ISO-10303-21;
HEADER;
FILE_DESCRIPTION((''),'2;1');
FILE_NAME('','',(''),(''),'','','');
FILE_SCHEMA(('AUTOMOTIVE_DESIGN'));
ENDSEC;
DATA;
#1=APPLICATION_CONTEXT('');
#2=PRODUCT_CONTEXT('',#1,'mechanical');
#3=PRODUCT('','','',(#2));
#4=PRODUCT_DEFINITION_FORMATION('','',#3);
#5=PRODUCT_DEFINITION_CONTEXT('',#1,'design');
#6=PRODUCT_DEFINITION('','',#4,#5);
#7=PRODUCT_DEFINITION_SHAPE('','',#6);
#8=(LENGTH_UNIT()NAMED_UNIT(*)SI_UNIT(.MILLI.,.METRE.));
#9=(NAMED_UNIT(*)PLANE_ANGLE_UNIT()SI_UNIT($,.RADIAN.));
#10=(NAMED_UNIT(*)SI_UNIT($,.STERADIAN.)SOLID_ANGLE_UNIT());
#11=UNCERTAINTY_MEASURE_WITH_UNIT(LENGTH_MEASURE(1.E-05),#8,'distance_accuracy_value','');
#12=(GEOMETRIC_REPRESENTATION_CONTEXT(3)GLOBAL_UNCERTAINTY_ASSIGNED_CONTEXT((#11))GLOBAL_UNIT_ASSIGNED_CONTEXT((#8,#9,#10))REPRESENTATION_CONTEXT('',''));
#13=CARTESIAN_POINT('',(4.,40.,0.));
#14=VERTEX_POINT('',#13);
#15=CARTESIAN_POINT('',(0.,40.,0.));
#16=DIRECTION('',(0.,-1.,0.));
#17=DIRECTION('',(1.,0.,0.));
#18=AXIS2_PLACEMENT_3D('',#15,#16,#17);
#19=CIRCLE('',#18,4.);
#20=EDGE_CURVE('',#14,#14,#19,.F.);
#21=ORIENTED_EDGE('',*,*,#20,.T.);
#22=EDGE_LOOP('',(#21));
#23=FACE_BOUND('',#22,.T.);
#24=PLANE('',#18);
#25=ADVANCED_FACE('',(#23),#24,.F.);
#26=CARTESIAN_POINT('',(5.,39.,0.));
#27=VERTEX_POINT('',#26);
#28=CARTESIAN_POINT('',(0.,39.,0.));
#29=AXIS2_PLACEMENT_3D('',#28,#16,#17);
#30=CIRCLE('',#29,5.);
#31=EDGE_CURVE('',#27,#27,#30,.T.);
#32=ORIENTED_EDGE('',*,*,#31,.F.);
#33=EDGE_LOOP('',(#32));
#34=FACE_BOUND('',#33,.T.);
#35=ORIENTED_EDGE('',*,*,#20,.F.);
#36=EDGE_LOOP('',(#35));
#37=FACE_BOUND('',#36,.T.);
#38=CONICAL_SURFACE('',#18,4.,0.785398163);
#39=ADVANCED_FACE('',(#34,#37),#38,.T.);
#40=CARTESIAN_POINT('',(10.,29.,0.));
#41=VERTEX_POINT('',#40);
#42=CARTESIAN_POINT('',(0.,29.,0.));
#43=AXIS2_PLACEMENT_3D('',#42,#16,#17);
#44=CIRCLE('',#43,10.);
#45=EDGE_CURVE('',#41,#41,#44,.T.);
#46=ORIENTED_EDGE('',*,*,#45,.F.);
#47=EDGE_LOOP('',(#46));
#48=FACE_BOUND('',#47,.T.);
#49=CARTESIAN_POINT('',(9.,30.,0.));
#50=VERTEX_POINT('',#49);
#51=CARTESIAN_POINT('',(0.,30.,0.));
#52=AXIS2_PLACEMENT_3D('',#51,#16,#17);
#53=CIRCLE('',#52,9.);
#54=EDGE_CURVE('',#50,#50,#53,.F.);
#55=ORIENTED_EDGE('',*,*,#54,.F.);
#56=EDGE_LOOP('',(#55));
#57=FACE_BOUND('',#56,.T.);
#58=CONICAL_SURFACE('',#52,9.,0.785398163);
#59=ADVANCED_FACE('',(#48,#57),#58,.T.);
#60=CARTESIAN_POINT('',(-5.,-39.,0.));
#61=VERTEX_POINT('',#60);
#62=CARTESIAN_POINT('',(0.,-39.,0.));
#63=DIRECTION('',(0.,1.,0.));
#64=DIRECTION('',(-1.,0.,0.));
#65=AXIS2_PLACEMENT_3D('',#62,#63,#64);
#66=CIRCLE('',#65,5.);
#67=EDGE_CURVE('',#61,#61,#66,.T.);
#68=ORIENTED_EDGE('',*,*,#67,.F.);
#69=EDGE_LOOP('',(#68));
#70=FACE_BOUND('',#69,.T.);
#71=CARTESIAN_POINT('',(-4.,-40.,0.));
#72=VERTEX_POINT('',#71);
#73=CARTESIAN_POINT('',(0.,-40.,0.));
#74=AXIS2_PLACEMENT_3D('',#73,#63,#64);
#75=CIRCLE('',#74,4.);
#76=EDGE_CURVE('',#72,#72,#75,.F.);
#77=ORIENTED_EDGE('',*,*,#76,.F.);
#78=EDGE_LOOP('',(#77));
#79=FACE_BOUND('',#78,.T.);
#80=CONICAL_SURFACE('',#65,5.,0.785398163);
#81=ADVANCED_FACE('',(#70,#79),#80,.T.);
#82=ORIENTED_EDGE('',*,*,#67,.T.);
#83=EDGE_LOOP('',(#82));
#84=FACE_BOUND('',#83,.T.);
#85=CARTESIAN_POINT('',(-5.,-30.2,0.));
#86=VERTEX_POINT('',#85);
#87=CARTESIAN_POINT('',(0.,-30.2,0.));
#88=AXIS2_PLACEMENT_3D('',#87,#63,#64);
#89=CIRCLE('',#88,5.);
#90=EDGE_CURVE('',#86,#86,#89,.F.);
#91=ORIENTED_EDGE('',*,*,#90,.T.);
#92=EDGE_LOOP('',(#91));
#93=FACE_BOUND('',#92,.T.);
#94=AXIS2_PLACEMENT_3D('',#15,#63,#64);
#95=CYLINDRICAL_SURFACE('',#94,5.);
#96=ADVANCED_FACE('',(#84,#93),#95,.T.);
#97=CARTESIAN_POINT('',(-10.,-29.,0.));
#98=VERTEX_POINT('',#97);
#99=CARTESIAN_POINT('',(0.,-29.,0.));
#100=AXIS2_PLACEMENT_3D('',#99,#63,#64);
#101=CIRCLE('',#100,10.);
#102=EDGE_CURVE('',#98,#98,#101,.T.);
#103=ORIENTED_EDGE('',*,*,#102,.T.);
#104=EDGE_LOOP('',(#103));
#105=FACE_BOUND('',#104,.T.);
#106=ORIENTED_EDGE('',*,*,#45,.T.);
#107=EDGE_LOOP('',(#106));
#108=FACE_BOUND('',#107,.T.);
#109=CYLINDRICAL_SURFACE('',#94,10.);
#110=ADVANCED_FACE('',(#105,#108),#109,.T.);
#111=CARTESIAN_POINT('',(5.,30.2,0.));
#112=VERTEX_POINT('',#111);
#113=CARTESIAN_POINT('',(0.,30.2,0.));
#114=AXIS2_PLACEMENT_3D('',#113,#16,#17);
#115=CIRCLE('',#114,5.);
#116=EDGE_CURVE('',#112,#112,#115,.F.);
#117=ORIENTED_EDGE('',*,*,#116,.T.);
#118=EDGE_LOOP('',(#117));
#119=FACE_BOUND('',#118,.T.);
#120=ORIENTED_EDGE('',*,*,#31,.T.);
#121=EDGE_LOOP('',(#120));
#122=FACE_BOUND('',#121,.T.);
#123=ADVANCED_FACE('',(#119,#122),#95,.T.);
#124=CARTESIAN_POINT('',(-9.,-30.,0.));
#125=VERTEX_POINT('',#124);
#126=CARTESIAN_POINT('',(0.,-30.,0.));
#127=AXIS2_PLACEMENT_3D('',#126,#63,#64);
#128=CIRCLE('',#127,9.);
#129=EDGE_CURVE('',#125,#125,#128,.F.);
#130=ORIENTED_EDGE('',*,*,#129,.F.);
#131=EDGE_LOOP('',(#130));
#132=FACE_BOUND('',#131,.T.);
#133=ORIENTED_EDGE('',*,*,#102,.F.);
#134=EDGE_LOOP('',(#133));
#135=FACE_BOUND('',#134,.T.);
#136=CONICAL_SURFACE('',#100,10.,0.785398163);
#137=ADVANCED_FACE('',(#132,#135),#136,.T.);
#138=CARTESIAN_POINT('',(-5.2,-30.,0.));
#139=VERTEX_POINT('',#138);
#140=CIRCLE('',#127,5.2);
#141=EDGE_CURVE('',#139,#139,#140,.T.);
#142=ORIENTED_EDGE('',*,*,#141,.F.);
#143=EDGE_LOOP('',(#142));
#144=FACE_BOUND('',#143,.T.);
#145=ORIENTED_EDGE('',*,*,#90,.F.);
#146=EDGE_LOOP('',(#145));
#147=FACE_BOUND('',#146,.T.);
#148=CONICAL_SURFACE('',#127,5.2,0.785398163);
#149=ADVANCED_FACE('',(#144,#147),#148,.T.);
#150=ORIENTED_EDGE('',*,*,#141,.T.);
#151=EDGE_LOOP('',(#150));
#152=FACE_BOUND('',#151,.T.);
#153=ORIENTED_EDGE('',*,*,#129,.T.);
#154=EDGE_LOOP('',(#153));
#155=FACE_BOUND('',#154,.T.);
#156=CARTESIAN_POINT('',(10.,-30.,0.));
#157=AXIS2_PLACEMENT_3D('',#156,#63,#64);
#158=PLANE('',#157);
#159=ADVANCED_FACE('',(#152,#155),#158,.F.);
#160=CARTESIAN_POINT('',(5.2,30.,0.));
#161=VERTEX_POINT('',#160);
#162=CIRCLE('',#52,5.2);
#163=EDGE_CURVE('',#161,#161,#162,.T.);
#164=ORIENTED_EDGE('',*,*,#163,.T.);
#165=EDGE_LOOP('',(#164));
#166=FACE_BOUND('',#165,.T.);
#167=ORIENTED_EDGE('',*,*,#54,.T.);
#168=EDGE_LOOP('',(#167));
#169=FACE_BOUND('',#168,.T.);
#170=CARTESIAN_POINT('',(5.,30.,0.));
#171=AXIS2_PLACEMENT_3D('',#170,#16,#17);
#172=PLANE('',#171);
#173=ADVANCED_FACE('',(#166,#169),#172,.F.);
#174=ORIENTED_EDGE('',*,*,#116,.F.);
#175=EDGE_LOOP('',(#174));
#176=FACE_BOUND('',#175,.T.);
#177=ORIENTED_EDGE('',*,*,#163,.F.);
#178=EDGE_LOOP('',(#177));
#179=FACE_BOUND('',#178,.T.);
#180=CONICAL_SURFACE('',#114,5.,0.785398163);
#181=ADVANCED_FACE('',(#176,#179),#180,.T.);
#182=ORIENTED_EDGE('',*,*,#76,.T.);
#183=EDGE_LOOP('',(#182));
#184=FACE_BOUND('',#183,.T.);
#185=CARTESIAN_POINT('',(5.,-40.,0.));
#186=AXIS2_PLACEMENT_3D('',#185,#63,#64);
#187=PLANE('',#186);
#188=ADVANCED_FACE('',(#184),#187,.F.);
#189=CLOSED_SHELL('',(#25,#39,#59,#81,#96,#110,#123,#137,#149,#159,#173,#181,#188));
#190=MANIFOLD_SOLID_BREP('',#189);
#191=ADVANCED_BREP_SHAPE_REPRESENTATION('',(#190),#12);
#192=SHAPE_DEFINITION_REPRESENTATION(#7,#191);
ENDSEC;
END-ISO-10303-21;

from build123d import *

# Parameters (mm, degrees)
CHAMFER_1_SIZE = 1
CHAMFER_2_SIZE = 0.2


with BuildPart() as part:
    # 草图1 → 旋转1 (revolve)
    with BuildSketch(Plane.XY, mode=Mode.PRIVATE) as revolve_1_sk:
        Polygon((0, 40), (5, 40), (5, 30), (10, 30), (10, -30), (5, -30), (5, -40), (0, -40), align=None)
    revolve(revolve_1_sk.sketch.rotate(Axis((0, 40, 0), (0, -1, 0)), 180), axis=Axis((0, 40, 0), (0, -1, 0)))

    # 倒角1
    chamfer_1_edges = [part.edges().sort_by_distance(p)[0] for p in [
        (5, -40, 0),
        (10, -30, 0),
        (10, 30, 0),
        (5, 40, 0),
    ]]
    chamfer(chamfer_1_edges, length=CHAMFER_1_SIZE)

    # 倒角2
    chamfer_2_edges = [part.edges().sort_by_distance(p)[0] for p in [
        (5, -30, 0),
        (5, 30, 0),
    ]]
    chamfer(chamfer_2_edges, length=CHAMFER_2_SIZE)


solid = part.part
